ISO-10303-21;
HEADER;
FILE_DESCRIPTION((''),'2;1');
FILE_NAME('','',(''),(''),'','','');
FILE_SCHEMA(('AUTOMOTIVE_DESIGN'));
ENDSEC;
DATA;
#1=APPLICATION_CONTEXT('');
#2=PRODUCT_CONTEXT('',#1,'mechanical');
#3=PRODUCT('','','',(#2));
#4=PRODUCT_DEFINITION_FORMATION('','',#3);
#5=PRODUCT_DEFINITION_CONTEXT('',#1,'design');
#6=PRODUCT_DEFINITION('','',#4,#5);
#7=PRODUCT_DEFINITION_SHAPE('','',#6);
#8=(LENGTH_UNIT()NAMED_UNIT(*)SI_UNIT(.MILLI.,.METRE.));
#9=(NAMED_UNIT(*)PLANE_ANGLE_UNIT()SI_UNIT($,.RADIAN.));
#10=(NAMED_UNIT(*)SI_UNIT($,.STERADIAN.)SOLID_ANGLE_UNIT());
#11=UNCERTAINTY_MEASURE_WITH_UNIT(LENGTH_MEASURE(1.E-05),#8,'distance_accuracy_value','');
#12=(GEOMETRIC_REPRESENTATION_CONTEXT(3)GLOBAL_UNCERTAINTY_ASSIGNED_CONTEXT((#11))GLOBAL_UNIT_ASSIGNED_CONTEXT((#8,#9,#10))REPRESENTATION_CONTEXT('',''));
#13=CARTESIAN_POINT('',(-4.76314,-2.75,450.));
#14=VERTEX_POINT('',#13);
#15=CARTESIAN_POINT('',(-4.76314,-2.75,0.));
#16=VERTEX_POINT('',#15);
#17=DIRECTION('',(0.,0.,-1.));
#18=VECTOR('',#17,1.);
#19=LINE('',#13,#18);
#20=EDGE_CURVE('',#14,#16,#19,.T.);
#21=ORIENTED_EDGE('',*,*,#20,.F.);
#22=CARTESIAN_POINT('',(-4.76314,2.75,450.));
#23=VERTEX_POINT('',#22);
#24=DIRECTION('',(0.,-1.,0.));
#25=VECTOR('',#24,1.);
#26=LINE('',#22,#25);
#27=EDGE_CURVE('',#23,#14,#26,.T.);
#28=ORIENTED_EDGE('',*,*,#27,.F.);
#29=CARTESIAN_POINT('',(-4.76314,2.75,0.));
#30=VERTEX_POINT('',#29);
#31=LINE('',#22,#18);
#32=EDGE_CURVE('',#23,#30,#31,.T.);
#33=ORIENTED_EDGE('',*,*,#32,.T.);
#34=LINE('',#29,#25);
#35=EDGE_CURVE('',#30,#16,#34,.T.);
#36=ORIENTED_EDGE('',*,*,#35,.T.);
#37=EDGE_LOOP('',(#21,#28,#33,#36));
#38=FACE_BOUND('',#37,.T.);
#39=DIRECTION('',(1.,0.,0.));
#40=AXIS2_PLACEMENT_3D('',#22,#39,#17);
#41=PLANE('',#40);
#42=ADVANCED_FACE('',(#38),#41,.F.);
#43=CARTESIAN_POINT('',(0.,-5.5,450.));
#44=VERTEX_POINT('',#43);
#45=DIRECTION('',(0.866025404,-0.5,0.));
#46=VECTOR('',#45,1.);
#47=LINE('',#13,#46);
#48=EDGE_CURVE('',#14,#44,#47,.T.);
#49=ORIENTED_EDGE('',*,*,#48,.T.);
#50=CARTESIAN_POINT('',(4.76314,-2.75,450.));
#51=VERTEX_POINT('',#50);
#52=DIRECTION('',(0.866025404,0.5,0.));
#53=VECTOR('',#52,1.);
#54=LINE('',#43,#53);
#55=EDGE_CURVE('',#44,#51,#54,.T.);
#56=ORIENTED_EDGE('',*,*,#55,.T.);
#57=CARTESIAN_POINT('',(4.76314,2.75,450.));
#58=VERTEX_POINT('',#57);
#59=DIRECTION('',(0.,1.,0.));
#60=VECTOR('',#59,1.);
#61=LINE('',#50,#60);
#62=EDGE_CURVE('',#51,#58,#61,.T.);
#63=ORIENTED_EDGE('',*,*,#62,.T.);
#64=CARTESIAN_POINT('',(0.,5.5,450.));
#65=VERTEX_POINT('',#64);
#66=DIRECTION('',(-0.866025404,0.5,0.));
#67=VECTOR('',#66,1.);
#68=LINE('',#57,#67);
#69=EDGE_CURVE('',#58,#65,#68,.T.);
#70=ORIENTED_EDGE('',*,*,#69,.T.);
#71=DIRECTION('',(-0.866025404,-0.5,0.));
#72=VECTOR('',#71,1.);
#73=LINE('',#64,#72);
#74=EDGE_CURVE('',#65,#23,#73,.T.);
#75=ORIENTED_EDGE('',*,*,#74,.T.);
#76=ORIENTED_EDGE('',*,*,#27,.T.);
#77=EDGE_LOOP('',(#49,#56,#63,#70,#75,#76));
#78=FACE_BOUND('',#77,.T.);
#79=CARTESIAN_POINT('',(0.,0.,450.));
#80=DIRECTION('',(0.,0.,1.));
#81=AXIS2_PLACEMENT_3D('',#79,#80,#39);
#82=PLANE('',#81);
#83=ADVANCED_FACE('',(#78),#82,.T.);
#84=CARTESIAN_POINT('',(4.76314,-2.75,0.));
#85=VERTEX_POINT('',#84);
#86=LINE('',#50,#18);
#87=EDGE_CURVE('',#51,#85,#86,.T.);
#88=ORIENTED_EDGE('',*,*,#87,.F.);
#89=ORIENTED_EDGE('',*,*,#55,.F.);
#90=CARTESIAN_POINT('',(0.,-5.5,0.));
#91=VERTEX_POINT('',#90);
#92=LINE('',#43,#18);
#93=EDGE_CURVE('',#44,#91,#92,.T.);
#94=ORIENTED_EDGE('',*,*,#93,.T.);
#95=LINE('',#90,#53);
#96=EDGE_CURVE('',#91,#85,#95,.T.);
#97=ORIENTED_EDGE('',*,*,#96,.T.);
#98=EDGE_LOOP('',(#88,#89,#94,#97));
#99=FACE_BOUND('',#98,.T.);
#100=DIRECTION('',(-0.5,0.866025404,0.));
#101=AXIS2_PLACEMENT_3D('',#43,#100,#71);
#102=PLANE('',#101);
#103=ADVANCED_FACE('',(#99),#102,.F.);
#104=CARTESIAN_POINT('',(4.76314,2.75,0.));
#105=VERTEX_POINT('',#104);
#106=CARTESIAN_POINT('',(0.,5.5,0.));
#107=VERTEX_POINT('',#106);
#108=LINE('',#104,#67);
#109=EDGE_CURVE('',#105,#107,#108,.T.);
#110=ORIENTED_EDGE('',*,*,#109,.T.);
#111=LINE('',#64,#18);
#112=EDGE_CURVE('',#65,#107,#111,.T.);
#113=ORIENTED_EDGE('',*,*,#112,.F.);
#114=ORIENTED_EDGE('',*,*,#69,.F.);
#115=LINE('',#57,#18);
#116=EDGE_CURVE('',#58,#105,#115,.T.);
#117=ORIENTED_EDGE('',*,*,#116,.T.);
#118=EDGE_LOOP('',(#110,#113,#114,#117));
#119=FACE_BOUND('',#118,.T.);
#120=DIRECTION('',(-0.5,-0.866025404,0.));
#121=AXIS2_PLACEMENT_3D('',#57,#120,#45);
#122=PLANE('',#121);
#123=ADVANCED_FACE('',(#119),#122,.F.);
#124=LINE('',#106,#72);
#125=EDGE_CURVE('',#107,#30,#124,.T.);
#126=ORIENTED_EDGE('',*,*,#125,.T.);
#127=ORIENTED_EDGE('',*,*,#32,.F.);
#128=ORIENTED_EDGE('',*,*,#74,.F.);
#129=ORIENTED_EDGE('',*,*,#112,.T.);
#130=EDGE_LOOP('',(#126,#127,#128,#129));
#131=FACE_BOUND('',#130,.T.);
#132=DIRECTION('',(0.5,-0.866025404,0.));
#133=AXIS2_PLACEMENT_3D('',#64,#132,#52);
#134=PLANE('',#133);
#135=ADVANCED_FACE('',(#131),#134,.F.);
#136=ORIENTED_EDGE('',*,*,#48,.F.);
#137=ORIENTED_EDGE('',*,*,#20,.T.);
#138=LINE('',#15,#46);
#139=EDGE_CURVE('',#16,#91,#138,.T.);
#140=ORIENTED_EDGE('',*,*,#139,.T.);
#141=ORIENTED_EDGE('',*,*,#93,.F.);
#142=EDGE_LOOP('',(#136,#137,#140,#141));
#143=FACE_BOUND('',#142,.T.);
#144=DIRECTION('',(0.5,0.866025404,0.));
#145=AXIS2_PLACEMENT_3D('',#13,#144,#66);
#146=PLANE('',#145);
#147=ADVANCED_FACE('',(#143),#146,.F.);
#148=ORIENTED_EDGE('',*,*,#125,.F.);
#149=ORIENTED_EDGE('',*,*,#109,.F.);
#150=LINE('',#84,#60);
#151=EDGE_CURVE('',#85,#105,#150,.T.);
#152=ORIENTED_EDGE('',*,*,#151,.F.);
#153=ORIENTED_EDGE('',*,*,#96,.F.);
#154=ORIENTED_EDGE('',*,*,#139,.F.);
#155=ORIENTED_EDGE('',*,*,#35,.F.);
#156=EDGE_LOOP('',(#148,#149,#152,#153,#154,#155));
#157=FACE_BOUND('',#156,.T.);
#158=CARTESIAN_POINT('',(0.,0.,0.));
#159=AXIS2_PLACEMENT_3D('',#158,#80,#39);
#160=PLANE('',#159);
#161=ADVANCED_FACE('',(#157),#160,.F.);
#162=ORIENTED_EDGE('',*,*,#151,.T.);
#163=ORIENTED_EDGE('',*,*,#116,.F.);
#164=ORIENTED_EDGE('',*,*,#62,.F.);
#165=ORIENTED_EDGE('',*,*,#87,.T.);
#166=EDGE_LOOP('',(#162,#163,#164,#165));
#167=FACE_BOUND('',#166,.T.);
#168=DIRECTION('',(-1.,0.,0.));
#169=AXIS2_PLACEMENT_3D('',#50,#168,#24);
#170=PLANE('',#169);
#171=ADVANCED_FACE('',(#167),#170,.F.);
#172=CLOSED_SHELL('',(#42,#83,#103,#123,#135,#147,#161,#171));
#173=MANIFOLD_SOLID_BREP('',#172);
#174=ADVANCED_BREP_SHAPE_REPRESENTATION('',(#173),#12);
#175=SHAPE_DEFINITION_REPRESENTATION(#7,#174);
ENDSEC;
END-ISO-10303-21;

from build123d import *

# Parameters (mm, degrees)
EXTRUDE_1_DEPTH = 450


with BuildPart() as part:
    # 草图1 → 凸台-拉伸1 (new body)
    with BuildSketch(Plane.XY):
        Polygon((0, -5.5), (4.763139721, -2.75), (4.763139721, 2.75), (0, 5.5), (-4.763139721, 2.75), (-4.763139721, -2.75), align=None)
    extrude(amount=EXTRUDE_1_DEPTH)


solid = part.part
